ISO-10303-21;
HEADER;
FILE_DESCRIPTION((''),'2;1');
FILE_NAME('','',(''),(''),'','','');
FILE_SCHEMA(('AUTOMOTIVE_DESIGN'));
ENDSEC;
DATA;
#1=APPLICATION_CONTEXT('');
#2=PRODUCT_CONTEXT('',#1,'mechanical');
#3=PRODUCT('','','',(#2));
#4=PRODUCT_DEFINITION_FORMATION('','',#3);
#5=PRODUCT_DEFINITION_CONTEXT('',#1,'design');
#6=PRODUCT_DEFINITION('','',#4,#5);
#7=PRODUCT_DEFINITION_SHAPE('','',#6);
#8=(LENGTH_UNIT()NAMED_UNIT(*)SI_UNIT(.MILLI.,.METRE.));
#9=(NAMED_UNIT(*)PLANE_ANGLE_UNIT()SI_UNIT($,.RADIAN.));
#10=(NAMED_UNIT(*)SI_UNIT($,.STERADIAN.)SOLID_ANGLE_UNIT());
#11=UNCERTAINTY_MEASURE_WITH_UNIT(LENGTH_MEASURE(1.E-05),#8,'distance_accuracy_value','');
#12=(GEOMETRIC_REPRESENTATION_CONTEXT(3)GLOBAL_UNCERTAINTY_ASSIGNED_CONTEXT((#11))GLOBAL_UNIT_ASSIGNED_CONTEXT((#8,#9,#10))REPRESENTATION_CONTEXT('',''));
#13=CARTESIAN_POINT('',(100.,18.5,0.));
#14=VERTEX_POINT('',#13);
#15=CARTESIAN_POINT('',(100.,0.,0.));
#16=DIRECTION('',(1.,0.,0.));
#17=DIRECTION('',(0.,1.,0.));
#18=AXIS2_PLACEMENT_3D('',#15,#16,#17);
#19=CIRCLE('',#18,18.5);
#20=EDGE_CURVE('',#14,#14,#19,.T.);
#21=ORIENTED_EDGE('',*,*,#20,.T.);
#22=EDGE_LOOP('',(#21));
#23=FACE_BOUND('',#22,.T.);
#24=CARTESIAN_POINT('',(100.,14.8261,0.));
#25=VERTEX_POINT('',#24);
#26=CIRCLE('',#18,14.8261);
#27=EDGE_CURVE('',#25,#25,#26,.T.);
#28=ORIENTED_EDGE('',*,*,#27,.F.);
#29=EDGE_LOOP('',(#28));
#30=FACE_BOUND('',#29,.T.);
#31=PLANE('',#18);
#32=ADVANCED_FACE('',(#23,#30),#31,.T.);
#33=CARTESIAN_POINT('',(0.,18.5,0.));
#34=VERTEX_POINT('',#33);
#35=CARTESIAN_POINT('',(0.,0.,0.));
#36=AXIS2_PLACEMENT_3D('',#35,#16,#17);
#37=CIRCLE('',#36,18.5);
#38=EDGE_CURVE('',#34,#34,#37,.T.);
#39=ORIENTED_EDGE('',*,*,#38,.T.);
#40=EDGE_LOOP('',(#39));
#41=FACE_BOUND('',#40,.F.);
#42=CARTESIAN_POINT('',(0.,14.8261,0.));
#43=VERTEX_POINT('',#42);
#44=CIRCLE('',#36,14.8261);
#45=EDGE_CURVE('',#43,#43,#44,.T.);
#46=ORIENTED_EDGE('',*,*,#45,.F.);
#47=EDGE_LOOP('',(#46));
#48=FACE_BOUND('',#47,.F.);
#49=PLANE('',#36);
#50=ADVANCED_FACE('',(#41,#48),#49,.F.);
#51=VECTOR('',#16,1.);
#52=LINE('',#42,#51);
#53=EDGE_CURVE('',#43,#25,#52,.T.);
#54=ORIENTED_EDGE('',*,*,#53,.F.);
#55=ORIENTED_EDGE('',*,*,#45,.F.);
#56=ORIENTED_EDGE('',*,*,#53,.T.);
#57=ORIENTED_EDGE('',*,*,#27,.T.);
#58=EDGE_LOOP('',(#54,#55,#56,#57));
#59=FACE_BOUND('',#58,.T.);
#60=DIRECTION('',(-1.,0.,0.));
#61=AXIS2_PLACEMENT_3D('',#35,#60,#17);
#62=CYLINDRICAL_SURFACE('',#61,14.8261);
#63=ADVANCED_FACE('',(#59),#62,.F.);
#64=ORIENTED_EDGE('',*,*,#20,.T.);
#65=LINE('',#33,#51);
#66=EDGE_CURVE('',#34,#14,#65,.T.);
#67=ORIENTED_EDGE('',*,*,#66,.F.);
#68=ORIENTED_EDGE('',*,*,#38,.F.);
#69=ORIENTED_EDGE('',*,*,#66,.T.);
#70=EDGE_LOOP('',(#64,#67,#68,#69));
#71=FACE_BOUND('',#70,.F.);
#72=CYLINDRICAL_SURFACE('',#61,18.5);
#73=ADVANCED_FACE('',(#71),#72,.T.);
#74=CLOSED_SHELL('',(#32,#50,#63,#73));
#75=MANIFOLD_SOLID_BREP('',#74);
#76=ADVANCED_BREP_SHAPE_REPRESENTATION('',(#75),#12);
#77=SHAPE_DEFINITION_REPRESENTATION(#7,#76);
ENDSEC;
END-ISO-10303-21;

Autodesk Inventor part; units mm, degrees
ref_plane "YZ Plane" through (0, 0, 0) normal (1, 0, 0) x (0, 1, 0)
ref_plane "XZ Plane" through (0, 0, 0) normal (0, 1, 0) x (-1, 0, 0)
ref_plane "XY Plane" through (0, 0, 0) normal (0, 0, 1) x (1, 0, 0)
sketch "Sketch1" plane through (0, 0, 0) normal (1, 0, 0) x (0, 1, 0)
  circle A0 centre (0, 0) radius 18.5
  circle A1 centre (0, 0) radius 14.8261
  dimension "d0" = 37
extrude "Extrusion1" add sketch "Sketch1" along normal blind 100
properties part number "PVC front"
